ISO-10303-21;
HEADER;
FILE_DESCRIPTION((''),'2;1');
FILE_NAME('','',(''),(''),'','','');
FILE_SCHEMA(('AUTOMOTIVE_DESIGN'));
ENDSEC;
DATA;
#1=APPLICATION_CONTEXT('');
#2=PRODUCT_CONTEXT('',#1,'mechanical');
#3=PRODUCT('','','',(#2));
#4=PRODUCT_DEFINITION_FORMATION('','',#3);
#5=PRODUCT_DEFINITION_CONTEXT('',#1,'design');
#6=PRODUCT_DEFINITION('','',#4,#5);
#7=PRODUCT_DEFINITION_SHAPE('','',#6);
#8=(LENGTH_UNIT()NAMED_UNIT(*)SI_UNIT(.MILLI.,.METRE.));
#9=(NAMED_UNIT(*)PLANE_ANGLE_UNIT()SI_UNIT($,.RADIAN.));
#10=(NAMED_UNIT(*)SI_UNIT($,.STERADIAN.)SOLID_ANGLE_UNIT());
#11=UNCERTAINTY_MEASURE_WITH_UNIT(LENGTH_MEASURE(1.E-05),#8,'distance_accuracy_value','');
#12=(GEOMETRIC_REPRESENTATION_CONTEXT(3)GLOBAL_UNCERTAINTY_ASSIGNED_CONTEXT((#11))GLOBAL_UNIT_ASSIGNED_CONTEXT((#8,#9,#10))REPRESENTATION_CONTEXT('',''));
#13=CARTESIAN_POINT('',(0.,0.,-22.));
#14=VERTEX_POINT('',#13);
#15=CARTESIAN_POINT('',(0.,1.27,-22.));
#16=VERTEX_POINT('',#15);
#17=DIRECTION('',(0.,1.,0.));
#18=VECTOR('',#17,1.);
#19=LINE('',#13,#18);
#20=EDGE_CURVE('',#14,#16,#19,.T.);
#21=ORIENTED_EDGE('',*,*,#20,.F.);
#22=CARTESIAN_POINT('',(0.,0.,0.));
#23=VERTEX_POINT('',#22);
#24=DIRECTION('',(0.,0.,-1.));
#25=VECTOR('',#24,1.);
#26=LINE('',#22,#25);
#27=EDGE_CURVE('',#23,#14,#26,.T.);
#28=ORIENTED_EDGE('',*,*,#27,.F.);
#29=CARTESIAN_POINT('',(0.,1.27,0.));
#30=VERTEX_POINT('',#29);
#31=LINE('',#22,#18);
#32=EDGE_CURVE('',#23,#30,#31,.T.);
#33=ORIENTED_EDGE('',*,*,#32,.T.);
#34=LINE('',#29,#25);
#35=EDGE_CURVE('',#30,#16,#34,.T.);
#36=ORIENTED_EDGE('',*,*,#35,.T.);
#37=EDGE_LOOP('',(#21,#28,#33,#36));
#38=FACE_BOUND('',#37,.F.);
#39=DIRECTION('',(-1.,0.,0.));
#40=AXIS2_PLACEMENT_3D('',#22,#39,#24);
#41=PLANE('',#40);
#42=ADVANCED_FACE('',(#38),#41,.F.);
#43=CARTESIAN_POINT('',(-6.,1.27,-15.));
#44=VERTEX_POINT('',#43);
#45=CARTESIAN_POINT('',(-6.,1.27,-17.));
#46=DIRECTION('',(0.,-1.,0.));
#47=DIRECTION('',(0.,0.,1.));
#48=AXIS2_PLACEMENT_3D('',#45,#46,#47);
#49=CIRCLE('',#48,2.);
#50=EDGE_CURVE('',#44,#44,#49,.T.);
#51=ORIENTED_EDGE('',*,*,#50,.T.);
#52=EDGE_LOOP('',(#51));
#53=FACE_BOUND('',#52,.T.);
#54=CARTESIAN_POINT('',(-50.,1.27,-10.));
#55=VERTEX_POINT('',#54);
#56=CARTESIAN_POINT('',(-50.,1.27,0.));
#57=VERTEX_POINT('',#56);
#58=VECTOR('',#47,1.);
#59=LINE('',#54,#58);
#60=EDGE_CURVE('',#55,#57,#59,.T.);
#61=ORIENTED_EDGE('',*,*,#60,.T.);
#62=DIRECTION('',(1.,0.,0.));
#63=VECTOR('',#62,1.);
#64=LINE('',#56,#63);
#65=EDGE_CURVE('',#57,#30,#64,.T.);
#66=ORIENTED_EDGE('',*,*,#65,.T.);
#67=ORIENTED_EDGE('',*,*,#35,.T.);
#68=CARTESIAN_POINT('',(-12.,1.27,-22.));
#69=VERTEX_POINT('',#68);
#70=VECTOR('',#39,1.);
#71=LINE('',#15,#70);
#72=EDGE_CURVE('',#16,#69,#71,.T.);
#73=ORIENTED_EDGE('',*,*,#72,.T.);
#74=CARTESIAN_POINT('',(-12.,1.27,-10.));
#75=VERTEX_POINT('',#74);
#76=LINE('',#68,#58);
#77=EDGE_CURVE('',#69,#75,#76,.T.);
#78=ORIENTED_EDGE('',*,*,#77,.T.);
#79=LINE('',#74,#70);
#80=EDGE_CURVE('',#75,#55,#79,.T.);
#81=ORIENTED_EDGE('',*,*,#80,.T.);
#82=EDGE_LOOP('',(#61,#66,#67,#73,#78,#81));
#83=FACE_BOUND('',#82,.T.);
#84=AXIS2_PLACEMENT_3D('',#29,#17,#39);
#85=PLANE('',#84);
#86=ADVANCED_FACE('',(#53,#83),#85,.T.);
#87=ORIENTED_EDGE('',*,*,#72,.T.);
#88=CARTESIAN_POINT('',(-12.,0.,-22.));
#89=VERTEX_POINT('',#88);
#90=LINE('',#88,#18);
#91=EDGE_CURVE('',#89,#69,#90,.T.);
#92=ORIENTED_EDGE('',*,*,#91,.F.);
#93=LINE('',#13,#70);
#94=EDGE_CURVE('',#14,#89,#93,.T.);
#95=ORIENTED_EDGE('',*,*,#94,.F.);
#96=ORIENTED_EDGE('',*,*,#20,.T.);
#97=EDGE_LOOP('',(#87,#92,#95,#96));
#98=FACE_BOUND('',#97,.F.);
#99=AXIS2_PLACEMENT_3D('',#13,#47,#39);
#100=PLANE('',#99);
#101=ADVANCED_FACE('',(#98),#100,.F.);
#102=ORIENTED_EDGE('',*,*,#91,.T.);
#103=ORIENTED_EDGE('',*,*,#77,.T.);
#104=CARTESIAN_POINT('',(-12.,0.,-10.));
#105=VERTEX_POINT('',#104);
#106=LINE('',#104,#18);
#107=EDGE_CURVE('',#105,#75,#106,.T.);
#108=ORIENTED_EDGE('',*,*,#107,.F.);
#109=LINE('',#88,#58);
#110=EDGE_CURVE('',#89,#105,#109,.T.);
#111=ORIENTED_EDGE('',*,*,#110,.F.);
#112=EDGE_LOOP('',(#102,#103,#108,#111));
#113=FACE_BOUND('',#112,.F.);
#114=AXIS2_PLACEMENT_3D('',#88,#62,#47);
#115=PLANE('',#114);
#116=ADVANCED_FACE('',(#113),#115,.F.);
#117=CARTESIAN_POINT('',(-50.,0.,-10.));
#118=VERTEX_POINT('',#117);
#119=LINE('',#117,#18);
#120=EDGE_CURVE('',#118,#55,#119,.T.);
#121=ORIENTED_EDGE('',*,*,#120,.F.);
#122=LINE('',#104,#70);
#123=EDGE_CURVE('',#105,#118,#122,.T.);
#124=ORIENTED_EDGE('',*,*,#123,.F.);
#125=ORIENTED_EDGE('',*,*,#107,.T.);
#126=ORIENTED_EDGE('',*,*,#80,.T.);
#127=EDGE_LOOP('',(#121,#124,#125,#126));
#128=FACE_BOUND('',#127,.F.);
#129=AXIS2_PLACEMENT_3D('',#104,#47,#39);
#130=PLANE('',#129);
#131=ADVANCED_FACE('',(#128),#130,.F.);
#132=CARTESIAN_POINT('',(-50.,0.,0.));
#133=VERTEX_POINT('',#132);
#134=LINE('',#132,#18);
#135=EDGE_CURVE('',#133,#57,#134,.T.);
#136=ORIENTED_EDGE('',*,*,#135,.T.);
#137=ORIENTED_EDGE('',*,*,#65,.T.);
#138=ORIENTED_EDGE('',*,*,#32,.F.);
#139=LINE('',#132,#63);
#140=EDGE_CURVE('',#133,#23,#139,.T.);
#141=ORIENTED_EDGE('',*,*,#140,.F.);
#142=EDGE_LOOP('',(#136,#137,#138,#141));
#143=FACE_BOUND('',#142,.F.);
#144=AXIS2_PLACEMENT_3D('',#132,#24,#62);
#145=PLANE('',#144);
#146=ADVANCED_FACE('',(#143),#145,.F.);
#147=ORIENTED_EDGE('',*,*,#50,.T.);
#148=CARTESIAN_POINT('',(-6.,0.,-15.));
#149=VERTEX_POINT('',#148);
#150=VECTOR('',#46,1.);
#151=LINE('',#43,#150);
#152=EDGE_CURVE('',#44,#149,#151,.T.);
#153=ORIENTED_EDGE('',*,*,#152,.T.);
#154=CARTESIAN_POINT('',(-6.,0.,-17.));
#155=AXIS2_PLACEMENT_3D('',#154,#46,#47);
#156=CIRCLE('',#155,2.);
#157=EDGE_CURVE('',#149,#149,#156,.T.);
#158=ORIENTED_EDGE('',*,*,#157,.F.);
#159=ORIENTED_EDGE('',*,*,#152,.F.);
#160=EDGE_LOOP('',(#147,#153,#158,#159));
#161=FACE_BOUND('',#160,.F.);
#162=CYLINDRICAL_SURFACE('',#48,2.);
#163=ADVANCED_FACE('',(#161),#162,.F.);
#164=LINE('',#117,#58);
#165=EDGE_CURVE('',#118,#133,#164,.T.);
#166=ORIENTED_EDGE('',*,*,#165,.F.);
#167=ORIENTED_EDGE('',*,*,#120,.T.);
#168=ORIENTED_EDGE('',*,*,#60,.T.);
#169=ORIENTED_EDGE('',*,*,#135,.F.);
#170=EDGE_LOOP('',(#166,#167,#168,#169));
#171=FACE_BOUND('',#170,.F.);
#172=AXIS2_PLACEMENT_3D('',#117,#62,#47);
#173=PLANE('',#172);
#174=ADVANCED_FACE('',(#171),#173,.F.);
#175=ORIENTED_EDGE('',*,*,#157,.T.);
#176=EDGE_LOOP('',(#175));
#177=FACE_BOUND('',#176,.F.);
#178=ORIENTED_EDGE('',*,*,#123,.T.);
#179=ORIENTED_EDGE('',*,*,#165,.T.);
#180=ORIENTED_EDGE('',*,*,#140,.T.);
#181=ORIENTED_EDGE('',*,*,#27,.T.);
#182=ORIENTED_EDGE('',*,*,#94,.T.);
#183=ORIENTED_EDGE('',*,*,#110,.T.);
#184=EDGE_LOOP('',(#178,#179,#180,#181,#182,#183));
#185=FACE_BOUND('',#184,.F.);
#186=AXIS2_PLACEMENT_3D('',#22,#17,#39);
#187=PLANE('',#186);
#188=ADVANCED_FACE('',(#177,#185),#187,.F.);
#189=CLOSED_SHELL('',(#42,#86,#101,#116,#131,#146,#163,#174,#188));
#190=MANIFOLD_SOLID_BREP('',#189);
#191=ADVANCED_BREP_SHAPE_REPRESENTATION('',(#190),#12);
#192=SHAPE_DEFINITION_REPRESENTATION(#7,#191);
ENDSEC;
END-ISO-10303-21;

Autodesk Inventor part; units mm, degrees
ref_plane "YZ Plane" through (0, 0, 0) normal (1, 0, 0) x (0, 1, 0)
ref_plane "XZ Plane" through (0, 0, 0) normal (0, 1, 0) x (-1, 0, 0)
ref_plane "XY Plane" through (0, 0, 0) normal (0, 0, 1) x (1, 0, 0)
sketch "Sketch1" plane through (0, 0, 0) normal (0, 1, 0) x (-1, 0, 0)
  line L0 (50, 0) -> (0, 0)
  line L1 (50, -10) -> (50, 0)
  line L2 (12, -10) -> (50, -10)
  line L3 (12, -22) -> (12, -10)
  line L4 (0, -22) -> (12, -22)
  line L5 (0, 0) -> (0, -22)
extrude "Extrusion1" add sketch "Sketch1" along normal blind 1.27
sketch "Sketch2" plane through (0, 1.27, 0) normal (0, 1, 0) x (1, 0, 0)
  point P0 (-6, 17)
hole "Hole1" at (-6, 1.27, -17) direction (0, -1, 0) diameter 4 depth 1.27
properties part number "Y-axis X-axis Flag" material "Nylon 6/6"
